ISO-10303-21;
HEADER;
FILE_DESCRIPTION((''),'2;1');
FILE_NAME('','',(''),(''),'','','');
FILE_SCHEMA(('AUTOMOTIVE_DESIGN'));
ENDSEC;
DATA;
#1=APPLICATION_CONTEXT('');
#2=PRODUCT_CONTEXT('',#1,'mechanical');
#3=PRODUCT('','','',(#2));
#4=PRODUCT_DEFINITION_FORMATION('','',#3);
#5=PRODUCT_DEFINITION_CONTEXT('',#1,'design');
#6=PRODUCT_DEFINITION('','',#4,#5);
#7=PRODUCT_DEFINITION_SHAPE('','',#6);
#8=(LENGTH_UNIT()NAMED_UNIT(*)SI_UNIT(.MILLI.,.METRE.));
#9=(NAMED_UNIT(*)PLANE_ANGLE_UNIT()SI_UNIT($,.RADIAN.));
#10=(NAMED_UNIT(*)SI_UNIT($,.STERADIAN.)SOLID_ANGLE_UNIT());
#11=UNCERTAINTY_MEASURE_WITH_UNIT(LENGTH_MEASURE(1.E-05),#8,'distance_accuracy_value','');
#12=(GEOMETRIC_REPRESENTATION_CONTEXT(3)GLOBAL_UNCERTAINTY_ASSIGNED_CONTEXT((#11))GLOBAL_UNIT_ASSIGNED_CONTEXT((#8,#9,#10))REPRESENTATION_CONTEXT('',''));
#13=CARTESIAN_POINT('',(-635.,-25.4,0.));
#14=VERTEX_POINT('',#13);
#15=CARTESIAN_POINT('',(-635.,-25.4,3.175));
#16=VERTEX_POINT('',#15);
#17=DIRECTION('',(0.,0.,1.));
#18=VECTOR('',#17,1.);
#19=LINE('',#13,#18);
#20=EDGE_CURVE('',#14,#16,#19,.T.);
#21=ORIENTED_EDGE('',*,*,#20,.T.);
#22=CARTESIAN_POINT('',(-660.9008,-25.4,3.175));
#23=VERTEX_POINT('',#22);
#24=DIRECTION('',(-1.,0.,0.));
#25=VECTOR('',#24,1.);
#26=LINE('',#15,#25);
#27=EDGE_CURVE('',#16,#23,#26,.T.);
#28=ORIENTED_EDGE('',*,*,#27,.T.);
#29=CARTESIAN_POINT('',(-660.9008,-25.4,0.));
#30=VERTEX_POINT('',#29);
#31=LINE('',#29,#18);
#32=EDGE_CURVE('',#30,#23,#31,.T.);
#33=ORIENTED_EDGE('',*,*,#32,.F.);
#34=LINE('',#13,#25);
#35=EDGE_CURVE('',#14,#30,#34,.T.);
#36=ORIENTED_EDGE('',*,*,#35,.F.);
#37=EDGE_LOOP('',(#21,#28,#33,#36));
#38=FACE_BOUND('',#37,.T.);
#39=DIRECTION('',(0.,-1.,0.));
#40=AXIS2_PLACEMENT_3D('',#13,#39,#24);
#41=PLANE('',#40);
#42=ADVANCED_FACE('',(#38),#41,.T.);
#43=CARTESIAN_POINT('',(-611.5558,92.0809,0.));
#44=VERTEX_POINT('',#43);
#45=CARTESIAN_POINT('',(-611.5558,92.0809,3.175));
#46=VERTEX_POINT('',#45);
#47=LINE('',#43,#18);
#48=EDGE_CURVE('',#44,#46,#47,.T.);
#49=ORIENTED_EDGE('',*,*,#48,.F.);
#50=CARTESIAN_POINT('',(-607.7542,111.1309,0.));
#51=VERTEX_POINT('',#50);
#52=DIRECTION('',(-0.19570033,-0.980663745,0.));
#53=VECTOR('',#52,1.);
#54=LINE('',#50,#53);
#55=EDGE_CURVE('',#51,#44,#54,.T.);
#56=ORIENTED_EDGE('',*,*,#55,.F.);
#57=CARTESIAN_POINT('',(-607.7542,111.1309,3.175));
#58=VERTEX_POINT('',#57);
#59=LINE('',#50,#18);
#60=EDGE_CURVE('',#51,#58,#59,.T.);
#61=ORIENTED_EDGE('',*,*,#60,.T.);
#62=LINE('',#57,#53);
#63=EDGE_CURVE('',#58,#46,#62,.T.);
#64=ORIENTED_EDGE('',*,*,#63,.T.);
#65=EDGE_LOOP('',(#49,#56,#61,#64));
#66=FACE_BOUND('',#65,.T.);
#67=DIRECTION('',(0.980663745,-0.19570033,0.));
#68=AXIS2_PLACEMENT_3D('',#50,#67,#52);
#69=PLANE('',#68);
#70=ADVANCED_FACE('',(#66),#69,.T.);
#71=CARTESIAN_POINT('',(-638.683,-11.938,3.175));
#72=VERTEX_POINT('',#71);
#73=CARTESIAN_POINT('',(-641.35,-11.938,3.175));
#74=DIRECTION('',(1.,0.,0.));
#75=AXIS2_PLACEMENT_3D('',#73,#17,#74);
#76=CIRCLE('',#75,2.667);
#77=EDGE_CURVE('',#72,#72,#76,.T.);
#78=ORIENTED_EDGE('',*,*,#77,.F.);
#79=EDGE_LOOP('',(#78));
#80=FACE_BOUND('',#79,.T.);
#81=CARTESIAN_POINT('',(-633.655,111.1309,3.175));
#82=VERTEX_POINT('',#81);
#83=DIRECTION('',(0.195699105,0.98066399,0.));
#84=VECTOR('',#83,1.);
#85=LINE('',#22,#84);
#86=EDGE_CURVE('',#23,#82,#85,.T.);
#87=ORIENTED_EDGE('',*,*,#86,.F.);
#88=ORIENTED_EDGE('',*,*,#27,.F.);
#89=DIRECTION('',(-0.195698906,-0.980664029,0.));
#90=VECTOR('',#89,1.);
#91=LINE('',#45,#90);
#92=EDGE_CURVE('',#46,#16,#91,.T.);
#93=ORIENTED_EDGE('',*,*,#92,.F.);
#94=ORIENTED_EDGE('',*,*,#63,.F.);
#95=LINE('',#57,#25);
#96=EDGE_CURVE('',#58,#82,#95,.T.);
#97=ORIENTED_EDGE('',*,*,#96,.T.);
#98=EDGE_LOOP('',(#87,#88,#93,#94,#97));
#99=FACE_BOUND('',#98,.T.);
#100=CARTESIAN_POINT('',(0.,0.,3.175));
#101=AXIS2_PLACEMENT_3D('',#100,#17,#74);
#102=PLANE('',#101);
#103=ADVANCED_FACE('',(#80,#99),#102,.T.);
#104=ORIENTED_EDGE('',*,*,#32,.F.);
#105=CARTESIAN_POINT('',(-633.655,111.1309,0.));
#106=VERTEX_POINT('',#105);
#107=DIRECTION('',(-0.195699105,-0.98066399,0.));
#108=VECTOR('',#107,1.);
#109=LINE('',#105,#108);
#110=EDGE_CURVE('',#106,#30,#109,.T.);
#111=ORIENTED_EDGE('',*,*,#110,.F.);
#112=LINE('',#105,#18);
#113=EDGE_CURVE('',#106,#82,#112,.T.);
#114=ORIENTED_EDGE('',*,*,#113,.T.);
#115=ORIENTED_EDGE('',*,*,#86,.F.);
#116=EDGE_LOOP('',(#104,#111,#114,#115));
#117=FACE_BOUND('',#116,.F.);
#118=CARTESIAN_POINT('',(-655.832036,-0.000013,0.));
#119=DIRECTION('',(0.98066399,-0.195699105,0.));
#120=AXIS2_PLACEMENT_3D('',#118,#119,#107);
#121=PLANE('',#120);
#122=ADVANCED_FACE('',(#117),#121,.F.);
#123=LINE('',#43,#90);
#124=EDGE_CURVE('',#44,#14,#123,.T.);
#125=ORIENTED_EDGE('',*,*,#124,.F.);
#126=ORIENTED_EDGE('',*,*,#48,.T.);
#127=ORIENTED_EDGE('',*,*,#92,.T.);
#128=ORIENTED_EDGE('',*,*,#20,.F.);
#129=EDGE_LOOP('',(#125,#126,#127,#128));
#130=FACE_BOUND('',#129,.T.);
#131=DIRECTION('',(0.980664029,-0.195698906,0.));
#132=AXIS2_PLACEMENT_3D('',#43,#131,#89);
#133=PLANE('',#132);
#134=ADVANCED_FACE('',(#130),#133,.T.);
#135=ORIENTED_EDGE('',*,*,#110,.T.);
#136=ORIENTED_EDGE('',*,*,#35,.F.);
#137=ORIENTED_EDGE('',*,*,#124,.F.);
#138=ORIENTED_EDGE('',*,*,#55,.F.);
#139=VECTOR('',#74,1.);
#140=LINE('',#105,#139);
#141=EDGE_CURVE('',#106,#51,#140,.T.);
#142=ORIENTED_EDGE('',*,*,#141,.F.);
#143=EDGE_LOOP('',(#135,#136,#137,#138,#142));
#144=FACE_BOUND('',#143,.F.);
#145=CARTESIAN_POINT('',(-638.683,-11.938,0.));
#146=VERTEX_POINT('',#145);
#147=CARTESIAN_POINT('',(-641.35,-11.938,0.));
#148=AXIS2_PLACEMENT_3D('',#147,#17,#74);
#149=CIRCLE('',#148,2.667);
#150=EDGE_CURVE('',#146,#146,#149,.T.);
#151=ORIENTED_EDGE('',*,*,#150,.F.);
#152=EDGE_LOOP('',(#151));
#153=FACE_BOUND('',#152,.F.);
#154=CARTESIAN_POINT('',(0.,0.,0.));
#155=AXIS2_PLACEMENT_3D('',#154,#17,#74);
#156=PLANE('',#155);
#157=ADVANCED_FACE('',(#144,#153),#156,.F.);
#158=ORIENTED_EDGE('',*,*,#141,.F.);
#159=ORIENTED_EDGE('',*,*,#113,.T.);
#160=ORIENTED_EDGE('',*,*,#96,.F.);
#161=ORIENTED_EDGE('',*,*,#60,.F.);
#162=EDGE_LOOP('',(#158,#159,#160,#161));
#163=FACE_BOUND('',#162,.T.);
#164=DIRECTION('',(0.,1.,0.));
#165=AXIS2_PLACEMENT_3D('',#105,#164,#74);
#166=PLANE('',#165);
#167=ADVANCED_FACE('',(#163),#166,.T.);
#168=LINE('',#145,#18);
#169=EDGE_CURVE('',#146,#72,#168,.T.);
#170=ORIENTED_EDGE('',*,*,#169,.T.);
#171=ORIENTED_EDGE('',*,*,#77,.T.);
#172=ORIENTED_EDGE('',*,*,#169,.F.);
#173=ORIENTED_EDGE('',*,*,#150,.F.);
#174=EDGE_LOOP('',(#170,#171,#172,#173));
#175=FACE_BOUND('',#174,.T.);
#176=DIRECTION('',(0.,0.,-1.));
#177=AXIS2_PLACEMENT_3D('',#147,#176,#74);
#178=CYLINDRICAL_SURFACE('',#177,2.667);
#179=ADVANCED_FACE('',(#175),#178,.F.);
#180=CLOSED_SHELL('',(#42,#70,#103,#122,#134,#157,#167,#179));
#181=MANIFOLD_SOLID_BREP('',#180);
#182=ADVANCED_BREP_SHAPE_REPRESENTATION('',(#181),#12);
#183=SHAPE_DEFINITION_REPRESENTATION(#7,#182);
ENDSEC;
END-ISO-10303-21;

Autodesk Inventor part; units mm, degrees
ref_plane "YZ Plane" through (0, 0, 0) normal (1, 0, 0) x (0, 1, 0)
ref_plane "XZ Plane" through (0, 0, 0) normal (0, 1, 0) x (-1, 0, 0)
ref_plane "XY Plane" through (0, 0, 0) normal (0, 0, 1) x (1, 0, 0)
sketch "Sketch1" plane through (0, 0, 0) normal (0, 0, 1) x (1, 0, 0)
  circle A0 centre (-641.35, -11.938) radius 2.667 projected
  line L0 (-635, -25.4) -> (-787.4, -25.4) projected
  line L1 (-611.5558, 111.1309) -> (-611.5558, 92.0809) projected
  line L2 (-611.5558, 88.9059) -> (-611.5558, 92.0809) projected
  line L3 (-655.7192, 0) -> (-787.4, 0)
  line L4 (-611.5558, 92.0809) -> (-635, -25.4)
  line L5 (-633.655, 111.1309) -> (-660.9008, -25.4)
  line L6 (-655.8321, 0) -> (-787.4, 0)
  line L7 (-633.655, 111.1309) -> (-607.7542, 111.1309)
  line L8 (-607.7542, 111.1309) -> (-611.5558, 92.0809)
  line L9 (-660.9008, -25.4) -> (-635, -25.4)
  point P0 (0, 0)
  dimension "d1" = 25.4
extrude "Extrusion1" add sketch "Sketch1" along normal blind 3.175
properties part number "2018 Cube Backstop Mount Angle"
